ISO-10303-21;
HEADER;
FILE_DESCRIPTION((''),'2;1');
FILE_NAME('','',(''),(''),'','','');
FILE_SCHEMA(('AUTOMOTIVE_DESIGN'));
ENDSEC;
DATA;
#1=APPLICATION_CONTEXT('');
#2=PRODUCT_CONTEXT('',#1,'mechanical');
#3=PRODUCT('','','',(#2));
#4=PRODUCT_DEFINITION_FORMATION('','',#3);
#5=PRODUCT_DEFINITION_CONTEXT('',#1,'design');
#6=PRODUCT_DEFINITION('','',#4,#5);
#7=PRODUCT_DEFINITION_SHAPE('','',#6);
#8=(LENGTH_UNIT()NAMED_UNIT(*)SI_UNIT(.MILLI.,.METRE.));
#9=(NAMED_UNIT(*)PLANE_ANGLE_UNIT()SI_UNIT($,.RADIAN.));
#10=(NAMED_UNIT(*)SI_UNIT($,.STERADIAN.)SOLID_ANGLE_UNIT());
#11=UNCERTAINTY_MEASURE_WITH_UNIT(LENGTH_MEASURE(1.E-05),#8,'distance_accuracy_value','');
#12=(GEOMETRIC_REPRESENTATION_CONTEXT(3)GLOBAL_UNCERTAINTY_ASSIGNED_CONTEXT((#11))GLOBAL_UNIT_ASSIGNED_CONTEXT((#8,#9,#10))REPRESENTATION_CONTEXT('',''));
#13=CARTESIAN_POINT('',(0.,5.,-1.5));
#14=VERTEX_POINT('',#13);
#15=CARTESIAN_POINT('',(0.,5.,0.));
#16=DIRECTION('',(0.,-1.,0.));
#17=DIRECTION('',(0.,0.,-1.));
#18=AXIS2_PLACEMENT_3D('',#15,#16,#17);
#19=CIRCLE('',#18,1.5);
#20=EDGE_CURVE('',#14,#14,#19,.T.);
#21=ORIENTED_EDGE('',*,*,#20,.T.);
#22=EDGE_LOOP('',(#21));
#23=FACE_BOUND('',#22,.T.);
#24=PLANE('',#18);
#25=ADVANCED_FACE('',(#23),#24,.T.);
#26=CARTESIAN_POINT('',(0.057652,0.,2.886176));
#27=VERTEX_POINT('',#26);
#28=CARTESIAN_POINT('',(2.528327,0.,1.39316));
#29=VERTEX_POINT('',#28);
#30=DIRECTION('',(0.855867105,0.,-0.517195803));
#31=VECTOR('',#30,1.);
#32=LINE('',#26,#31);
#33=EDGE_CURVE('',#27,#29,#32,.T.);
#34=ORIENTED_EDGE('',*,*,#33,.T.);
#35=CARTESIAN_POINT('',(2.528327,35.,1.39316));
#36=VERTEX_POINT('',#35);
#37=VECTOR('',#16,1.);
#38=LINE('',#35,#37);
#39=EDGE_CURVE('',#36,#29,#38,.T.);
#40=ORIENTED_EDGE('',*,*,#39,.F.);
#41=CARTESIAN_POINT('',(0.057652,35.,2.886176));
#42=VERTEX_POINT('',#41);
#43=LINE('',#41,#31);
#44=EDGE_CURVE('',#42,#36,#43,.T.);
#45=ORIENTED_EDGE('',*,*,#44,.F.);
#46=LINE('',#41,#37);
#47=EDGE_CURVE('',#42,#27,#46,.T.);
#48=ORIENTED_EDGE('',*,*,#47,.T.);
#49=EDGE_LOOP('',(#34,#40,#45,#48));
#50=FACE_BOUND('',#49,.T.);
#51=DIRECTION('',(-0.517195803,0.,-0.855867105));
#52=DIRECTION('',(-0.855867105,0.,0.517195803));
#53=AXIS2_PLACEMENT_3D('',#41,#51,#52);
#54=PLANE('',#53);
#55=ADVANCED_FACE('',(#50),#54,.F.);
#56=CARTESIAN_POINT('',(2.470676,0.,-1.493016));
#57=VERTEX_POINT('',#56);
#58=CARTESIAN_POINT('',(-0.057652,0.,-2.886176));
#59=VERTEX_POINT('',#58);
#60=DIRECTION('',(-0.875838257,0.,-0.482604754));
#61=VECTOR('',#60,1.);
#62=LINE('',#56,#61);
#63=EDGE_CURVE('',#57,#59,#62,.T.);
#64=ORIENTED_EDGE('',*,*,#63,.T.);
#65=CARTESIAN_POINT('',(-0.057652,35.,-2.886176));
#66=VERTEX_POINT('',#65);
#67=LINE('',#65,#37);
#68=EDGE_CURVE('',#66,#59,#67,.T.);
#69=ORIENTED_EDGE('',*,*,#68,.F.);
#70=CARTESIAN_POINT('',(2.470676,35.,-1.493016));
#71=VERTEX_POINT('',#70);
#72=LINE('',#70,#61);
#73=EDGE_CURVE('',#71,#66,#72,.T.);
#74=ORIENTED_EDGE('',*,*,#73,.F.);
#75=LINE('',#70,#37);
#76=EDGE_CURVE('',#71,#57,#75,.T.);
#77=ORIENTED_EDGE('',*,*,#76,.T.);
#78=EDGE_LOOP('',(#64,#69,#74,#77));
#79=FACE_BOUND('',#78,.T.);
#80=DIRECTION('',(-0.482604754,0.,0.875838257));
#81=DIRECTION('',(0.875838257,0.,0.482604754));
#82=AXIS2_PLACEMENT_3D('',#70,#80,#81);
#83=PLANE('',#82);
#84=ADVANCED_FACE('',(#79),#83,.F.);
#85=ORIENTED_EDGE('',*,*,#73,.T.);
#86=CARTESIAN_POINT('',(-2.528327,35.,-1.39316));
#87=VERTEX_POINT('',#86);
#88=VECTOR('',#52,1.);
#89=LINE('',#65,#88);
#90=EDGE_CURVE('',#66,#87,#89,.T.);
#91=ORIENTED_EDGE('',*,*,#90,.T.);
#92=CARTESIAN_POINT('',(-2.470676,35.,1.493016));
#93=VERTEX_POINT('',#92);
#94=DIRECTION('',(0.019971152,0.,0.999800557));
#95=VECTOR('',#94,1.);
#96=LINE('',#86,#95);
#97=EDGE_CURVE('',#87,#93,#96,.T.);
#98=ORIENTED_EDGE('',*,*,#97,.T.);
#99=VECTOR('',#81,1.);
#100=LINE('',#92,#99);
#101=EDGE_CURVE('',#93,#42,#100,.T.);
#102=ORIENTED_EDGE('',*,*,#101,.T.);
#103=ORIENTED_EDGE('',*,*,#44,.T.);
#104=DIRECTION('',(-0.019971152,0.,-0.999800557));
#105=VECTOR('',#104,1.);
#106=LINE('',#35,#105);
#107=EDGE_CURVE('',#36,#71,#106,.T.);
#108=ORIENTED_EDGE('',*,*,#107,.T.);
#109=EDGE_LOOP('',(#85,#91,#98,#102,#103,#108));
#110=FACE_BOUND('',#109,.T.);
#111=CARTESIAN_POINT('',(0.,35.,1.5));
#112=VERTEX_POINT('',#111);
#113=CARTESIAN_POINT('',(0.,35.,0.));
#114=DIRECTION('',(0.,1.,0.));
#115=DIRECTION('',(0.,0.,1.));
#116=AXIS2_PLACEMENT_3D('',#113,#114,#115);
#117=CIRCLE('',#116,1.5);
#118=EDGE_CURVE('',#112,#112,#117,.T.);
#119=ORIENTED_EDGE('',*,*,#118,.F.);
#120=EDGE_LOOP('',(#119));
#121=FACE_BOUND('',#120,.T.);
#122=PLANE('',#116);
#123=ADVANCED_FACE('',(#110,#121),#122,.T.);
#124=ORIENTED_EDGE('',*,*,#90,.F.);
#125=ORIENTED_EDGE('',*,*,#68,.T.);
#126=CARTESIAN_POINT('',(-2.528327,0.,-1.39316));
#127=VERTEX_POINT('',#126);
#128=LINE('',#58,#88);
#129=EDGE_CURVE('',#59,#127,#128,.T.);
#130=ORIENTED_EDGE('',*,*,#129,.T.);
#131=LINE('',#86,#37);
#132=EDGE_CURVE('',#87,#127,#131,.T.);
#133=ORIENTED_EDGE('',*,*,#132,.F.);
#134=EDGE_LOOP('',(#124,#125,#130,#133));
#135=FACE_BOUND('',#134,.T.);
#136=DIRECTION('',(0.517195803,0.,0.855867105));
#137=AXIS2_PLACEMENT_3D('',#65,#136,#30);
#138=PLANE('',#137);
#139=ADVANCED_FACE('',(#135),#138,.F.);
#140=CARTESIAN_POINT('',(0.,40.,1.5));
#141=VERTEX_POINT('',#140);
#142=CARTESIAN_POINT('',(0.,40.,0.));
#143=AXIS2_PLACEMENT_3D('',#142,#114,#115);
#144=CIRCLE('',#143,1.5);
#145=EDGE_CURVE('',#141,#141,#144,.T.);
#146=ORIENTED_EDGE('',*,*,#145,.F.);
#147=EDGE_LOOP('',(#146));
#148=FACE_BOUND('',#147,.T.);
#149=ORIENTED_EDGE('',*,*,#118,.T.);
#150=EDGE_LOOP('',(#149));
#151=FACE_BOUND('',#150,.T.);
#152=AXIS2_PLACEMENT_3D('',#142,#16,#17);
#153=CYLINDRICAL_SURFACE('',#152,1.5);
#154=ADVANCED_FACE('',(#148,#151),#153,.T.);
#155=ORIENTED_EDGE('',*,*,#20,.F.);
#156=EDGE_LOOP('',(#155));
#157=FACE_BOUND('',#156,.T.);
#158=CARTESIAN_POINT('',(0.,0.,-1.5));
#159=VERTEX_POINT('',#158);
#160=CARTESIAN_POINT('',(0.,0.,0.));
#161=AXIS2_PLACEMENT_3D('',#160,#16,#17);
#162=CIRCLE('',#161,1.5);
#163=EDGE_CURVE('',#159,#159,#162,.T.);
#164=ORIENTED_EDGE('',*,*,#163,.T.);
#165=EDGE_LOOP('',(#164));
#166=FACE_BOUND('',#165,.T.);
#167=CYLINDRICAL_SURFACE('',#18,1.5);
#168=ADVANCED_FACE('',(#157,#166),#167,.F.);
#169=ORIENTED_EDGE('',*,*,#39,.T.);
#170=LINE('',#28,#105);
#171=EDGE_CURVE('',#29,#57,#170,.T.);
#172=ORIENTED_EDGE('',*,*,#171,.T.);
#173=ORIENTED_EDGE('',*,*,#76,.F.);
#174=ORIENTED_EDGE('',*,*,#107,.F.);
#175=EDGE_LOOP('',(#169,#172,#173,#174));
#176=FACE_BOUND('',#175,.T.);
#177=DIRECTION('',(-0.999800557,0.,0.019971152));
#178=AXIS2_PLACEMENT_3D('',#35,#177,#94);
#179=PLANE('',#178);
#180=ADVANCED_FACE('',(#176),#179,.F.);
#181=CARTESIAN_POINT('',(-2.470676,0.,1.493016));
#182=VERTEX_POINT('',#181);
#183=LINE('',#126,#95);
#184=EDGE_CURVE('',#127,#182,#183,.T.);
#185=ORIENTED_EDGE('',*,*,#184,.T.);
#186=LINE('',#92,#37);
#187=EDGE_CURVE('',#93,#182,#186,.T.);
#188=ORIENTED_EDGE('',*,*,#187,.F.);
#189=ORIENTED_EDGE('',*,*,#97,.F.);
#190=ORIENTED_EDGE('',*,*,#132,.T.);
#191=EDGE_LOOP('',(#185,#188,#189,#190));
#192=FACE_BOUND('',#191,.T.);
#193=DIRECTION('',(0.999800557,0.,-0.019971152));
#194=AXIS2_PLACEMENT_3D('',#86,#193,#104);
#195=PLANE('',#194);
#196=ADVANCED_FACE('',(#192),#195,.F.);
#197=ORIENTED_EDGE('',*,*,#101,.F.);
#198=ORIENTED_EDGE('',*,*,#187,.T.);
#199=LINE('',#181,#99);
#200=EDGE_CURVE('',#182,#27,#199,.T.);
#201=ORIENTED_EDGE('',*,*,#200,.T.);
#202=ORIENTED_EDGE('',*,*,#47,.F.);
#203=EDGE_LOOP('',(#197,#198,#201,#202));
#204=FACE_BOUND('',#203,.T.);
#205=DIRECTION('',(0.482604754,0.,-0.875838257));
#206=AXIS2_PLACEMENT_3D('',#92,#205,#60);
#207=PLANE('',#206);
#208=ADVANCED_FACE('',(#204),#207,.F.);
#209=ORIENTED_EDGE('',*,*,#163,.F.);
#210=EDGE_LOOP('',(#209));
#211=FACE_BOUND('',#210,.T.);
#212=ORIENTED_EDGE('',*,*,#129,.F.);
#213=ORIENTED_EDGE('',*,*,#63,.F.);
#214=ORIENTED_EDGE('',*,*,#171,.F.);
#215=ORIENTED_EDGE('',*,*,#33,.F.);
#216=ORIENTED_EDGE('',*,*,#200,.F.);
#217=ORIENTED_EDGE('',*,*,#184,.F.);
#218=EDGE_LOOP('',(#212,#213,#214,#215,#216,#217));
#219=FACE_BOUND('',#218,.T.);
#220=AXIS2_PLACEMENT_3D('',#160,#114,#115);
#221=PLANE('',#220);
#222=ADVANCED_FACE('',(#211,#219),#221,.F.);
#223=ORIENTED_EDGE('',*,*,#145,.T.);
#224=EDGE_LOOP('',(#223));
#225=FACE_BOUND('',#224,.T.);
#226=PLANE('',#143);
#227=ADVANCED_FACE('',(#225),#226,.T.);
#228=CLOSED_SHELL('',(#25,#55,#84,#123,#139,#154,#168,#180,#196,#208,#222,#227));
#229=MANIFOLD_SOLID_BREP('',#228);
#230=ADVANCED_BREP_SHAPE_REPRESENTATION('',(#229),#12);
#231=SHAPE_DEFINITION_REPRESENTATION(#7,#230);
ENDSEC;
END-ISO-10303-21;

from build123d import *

# Parameters (mm, degrees)
EXTRUDE_1_DEPTH     = 35
SKETCH_2_R          = 1.5
CUT_EXTRUDE_1_DEPTH = 5
SKETCH_3_R          = 1.5
EXTRUDE_2_DEPTH     = 5


with BuildPart() as part:
    # 草图1 → 凸台-拉伸1 (new body)
    with BuildSketch(Plane(origin=(0, 0, 0), x_dir=(1, 0, 0), z_dir=(0, 1, 0))):
        Polygon((2.528327266, -1.393159922), (2.470675517, 1.49301568), (-0.057651749, 2.886175603), (-2.528327266, 1.393159922), (-2.470675517, -1.49301568), (0.057651749, -2.886175603), align=None)
    extrude(amount=EXTRUDE_1_DEPTH)

    # 草图2 → 切除-拉伸1 (cut)
    with BuildSketch(Plane.XZ):
        with Locations(Location((0, 0, 0), (0, 0, 270))):
            Circle(SKETCH_2_R)
    extrude(amount=-CUT_EXTRUDE_1_DEPTH, mode=Mode.SUBTRACT)

    # 草图3 → 凸台-拉伸2 (add)
    with BuildSketch(Plane(origin=(0, 35, 0), x_dir=(1, 0, 0), z_dir=(0, 1, 0))):
        with Locations(Location((0, 0, 0), (0, 0, 90))):
            Circle(SKETCH_3_R)
    extrude(amount=EXTRUDE_2_DEPTH)


solid = part.part
